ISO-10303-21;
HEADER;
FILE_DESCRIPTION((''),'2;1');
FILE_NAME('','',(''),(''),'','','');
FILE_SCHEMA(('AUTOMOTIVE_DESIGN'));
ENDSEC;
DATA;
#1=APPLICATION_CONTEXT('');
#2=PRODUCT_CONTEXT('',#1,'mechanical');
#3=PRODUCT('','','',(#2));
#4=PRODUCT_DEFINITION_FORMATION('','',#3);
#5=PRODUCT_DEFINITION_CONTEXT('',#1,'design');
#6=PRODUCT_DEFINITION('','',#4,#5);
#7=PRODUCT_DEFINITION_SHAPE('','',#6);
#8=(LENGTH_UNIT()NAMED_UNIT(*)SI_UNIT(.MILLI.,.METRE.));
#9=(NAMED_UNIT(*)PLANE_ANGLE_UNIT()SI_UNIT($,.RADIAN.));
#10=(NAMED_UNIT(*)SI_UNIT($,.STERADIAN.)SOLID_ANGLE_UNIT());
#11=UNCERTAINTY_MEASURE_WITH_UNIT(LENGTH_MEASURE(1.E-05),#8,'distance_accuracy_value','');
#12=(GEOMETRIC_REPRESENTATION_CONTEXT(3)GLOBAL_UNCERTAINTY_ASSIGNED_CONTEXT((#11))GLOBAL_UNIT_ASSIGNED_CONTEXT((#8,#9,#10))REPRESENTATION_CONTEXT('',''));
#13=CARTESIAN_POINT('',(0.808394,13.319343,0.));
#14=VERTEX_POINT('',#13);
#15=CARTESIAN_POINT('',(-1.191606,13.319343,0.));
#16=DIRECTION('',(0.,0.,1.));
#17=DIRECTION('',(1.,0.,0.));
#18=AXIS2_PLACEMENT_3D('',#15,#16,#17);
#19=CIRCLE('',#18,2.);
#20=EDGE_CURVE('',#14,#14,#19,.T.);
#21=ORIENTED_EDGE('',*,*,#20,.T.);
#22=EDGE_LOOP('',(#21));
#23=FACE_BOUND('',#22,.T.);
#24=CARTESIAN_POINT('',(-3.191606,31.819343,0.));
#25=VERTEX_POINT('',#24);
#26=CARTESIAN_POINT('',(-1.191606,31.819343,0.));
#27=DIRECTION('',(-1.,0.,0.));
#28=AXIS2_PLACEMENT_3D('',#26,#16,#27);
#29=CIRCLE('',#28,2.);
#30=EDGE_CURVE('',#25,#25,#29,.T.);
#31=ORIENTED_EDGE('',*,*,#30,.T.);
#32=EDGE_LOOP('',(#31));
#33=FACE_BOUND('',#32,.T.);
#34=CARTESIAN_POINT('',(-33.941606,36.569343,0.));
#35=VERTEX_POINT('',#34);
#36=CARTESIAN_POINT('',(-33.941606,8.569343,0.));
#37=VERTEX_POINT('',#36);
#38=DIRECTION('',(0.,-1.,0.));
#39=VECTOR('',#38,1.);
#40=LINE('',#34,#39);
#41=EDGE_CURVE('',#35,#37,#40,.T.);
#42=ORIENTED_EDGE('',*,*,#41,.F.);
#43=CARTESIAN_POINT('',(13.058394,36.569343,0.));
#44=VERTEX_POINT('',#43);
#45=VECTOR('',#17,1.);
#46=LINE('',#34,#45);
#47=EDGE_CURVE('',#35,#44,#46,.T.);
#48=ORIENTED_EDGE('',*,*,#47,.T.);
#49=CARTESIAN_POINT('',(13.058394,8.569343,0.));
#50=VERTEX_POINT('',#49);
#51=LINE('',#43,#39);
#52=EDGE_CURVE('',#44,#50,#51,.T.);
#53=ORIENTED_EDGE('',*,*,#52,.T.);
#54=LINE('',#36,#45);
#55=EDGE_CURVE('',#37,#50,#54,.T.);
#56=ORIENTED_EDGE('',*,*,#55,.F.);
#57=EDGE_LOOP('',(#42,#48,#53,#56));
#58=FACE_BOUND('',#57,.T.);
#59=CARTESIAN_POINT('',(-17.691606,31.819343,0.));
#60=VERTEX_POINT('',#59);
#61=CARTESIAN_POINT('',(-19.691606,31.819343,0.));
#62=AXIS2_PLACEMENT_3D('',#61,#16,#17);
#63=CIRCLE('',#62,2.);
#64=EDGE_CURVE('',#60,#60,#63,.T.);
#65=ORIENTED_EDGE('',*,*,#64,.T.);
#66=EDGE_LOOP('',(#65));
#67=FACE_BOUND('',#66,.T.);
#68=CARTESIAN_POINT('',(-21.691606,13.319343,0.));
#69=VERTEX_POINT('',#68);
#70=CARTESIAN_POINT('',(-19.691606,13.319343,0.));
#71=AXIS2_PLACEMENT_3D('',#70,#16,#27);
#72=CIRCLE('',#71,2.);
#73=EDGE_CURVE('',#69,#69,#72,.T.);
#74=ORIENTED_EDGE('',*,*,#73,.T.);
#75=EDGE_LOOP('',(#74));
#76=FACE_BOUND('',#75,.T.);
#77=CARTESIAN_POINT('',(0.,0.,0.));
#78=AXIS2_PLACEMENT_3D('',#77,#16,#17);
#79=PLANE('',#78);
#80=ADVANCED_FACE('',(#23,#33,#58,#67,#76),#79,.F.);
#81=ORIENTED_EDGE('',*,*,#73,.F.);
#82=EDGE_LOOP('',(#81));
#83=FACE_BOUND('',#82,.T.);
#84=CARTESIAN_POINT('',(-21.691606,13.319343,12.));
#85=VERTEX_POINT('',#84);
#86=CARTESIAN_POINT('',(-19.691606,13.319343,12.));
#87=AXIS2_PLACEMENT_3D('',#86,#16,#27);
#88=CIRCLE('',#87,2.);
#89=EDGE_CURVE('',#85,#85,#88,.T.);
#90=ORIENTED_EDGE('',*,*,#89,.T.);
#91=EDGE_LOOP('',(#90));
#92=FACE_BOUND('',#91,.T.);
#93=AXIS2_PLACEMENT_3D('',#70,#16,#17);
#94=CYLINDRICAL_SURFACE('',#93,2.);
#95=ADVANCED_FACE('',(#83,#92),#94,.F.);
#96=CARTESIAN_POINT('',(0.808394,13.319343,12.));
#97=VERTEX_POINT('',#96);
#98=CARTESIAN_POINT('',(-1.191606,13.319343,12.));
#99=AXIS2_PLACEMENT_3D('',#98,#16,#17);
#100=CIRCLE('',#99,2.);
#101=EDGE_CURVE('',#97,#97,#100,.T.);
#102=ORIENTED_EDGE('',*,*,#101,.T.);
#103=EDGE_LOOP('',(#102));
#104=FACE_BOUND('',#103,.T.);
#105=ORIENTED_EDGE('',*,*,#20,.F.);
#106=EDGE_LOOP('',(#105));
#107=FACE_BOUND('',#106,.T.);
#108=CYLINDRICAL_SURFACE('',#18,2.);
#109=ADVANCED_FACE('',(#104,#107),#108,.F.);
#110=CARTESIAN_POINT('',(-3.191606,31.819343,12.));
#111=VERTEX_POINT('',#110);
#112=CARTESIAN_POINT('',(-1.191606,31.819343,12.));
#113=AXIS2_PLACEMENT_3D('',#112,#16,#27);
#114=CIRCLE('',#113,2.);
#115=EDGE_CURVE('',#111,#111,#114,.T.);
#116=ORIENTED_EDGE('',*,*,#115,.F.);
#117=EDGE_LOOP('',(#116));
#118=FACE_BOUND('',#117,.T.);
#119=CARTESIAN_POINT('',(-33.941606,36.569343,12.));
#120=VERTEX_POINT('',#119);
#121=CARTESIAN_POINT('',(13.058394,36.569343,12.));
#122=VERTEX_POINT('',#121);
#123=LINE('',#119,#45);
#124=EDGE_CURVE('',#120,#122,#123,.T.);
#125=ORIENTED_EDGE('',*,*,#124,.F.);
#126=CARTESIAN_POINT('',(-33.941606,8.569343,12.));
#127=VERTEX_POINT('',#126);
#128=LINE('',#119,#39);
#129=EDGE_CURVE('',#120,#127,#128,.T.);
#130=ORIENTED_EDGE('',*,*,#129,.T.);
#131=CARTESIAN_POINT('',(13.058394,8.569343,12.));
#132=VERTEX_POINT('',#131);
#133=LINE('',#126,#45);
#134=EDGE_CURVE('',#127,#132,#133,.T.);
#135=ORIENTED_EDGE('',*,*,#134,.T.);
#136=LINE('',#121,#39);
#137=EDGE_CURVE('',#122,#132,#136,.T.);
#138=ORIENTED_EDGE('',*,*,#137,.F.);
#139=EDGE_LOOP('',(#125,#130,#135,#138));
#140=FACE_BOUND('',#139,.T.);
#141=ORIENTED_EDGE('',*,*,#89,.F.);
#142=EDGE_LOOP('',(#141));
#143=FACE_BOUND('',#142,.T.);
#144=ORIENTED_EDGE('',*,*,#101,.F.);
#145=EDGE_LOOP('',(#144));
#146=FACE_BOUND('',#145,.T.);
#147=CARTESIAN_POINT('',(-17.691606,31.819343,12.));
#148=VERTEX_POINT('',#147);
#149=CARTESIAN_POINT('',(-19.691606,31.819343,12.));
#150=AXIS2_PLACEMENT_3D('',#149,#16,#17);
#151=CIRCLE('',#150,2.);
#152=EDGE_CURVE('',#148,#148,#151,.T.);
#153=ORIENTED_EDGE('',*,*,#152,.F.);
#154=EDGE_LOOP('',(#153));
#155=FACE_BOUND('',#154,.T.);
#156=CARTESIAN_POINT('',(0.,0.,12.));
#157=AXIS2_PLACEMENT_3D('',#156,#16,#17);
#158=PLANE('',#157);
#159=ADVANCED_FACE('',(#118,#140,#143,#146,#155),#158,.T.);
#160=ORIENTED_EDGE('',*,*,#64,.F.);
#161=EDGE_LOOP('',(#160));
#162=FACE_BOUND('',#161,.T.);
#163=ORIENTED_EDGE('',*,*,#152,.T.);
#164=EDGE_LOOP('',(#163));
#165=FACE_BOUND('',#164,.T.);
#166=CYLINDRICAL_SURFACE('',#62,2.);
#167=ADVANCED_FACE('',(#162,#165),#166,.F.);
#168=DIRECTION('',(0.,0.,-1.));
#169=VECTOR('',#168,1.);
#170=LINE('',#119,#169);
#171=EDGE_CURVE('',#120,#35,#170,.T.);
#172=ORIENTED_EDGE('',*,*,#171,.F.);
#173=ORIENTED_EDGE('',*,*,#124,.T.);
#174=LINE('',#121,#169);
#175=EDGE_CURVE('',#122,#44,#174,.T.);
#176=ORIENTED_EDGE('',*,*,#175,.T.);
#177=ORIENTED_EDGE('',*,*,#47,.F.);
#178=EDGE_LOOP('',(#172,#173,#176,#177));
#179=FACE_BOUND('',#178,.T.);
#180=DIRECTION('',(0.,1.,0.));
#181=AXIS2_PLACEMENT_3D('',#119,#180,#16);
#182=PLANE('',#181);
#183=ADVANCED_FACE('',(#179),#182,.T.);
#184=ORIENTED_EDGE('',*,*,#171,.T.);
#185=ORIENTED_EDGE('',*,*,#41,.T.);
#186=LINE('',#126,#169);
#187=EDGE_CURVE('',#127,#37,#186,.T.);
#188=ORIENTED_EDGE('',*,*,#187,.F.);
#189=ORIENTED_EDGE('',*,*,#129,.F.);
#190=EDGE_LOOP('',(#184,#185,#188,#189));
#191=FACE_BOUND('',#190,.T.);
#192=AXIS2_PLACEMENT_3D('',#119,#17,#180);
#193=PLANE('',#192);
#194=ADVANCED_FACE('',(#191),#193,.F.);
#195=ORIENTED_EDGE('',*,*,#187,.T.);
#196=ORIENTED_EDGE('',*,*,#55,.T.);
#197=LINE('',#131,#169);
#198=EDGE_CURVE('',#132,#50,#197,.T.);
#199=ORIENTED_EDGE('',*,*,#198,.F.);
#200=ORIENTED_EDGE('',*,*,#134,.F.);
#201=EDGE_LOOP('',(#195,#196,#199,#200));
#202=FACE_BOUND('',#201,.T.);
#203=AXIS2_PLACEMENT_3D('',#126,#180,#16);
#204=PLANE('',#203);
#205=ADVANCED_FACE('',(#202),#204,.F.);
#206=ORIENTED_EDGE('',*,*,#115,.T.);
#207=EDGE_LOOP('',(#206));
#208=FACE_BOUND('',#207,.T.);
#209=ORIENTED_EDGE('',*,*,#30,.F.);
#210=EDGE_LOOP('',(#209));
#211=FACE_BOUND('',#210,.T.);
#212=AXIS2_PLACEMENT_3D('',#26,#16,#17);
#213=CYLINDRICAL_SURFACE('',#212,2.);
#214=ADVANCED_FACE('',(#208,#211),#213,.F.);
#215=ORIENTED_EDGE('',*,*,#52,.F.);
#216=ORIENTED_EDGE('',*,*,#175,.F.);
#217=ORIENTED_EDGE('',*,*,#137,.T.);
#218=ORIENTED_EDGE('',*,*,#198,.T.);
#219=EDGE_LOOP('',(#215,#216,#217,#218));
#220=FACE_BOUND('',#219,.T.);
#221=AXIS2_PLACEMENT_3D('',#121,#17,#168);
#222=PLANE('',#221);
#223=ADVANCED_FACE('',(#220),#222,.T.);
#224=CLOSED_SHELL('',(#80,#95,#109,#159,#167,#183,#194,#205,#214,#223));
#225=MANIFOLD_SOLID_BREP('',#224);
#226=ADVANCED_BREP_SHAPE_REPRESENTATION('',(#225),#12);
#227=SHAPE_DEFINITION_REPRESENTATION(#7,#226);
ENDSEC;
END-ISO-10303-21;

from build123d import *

# Parameters (mm, degrees)
SKETCH_1_W          = 47
SKETCH_1_H          = 28
EXTRUDE_1_DEPTH     = 12
SKETCH_2_R          = 2
CUT_EXTRUDE_1_DEPTH = 12


with BuildPart() as part:
    # 草图1 → 凸台-拉伸1 (new body)
    with BuildSketch(Plane.XY):
        with Locations((-10.441605839, 22.569343066)):
            Rectangle(SKETCH_1_W, SKETCH_1_H)
    extrude(amount=EXTRUDE_1_DEPTH)

    # 草图2 → 切除-拉伸1 (cut)
    with BuildSketch(Plane.XY.offset(12)):
        with Locations((-19.691605839, 31.819343066)):
            Circle(SKETCH_2_R)
        with Locations(Location((-1.191605839, 31.819343066, 0), (0, 0, 180))):
            Circle(SKETCH_2_R)
        with Locations((-1.191605839, 13.319343066)):
            Circle(SKETCH_2_R)
        with Locations(Location((-19.691605839, 13.319343066, 0), (0, 0, 180))):
            Circle(SKETCH_2_R)
    extrude(amount=-CUT_EXTRUDE_1_DEPTH, mode=Mode.SUBTRACT)


solid = part.part
